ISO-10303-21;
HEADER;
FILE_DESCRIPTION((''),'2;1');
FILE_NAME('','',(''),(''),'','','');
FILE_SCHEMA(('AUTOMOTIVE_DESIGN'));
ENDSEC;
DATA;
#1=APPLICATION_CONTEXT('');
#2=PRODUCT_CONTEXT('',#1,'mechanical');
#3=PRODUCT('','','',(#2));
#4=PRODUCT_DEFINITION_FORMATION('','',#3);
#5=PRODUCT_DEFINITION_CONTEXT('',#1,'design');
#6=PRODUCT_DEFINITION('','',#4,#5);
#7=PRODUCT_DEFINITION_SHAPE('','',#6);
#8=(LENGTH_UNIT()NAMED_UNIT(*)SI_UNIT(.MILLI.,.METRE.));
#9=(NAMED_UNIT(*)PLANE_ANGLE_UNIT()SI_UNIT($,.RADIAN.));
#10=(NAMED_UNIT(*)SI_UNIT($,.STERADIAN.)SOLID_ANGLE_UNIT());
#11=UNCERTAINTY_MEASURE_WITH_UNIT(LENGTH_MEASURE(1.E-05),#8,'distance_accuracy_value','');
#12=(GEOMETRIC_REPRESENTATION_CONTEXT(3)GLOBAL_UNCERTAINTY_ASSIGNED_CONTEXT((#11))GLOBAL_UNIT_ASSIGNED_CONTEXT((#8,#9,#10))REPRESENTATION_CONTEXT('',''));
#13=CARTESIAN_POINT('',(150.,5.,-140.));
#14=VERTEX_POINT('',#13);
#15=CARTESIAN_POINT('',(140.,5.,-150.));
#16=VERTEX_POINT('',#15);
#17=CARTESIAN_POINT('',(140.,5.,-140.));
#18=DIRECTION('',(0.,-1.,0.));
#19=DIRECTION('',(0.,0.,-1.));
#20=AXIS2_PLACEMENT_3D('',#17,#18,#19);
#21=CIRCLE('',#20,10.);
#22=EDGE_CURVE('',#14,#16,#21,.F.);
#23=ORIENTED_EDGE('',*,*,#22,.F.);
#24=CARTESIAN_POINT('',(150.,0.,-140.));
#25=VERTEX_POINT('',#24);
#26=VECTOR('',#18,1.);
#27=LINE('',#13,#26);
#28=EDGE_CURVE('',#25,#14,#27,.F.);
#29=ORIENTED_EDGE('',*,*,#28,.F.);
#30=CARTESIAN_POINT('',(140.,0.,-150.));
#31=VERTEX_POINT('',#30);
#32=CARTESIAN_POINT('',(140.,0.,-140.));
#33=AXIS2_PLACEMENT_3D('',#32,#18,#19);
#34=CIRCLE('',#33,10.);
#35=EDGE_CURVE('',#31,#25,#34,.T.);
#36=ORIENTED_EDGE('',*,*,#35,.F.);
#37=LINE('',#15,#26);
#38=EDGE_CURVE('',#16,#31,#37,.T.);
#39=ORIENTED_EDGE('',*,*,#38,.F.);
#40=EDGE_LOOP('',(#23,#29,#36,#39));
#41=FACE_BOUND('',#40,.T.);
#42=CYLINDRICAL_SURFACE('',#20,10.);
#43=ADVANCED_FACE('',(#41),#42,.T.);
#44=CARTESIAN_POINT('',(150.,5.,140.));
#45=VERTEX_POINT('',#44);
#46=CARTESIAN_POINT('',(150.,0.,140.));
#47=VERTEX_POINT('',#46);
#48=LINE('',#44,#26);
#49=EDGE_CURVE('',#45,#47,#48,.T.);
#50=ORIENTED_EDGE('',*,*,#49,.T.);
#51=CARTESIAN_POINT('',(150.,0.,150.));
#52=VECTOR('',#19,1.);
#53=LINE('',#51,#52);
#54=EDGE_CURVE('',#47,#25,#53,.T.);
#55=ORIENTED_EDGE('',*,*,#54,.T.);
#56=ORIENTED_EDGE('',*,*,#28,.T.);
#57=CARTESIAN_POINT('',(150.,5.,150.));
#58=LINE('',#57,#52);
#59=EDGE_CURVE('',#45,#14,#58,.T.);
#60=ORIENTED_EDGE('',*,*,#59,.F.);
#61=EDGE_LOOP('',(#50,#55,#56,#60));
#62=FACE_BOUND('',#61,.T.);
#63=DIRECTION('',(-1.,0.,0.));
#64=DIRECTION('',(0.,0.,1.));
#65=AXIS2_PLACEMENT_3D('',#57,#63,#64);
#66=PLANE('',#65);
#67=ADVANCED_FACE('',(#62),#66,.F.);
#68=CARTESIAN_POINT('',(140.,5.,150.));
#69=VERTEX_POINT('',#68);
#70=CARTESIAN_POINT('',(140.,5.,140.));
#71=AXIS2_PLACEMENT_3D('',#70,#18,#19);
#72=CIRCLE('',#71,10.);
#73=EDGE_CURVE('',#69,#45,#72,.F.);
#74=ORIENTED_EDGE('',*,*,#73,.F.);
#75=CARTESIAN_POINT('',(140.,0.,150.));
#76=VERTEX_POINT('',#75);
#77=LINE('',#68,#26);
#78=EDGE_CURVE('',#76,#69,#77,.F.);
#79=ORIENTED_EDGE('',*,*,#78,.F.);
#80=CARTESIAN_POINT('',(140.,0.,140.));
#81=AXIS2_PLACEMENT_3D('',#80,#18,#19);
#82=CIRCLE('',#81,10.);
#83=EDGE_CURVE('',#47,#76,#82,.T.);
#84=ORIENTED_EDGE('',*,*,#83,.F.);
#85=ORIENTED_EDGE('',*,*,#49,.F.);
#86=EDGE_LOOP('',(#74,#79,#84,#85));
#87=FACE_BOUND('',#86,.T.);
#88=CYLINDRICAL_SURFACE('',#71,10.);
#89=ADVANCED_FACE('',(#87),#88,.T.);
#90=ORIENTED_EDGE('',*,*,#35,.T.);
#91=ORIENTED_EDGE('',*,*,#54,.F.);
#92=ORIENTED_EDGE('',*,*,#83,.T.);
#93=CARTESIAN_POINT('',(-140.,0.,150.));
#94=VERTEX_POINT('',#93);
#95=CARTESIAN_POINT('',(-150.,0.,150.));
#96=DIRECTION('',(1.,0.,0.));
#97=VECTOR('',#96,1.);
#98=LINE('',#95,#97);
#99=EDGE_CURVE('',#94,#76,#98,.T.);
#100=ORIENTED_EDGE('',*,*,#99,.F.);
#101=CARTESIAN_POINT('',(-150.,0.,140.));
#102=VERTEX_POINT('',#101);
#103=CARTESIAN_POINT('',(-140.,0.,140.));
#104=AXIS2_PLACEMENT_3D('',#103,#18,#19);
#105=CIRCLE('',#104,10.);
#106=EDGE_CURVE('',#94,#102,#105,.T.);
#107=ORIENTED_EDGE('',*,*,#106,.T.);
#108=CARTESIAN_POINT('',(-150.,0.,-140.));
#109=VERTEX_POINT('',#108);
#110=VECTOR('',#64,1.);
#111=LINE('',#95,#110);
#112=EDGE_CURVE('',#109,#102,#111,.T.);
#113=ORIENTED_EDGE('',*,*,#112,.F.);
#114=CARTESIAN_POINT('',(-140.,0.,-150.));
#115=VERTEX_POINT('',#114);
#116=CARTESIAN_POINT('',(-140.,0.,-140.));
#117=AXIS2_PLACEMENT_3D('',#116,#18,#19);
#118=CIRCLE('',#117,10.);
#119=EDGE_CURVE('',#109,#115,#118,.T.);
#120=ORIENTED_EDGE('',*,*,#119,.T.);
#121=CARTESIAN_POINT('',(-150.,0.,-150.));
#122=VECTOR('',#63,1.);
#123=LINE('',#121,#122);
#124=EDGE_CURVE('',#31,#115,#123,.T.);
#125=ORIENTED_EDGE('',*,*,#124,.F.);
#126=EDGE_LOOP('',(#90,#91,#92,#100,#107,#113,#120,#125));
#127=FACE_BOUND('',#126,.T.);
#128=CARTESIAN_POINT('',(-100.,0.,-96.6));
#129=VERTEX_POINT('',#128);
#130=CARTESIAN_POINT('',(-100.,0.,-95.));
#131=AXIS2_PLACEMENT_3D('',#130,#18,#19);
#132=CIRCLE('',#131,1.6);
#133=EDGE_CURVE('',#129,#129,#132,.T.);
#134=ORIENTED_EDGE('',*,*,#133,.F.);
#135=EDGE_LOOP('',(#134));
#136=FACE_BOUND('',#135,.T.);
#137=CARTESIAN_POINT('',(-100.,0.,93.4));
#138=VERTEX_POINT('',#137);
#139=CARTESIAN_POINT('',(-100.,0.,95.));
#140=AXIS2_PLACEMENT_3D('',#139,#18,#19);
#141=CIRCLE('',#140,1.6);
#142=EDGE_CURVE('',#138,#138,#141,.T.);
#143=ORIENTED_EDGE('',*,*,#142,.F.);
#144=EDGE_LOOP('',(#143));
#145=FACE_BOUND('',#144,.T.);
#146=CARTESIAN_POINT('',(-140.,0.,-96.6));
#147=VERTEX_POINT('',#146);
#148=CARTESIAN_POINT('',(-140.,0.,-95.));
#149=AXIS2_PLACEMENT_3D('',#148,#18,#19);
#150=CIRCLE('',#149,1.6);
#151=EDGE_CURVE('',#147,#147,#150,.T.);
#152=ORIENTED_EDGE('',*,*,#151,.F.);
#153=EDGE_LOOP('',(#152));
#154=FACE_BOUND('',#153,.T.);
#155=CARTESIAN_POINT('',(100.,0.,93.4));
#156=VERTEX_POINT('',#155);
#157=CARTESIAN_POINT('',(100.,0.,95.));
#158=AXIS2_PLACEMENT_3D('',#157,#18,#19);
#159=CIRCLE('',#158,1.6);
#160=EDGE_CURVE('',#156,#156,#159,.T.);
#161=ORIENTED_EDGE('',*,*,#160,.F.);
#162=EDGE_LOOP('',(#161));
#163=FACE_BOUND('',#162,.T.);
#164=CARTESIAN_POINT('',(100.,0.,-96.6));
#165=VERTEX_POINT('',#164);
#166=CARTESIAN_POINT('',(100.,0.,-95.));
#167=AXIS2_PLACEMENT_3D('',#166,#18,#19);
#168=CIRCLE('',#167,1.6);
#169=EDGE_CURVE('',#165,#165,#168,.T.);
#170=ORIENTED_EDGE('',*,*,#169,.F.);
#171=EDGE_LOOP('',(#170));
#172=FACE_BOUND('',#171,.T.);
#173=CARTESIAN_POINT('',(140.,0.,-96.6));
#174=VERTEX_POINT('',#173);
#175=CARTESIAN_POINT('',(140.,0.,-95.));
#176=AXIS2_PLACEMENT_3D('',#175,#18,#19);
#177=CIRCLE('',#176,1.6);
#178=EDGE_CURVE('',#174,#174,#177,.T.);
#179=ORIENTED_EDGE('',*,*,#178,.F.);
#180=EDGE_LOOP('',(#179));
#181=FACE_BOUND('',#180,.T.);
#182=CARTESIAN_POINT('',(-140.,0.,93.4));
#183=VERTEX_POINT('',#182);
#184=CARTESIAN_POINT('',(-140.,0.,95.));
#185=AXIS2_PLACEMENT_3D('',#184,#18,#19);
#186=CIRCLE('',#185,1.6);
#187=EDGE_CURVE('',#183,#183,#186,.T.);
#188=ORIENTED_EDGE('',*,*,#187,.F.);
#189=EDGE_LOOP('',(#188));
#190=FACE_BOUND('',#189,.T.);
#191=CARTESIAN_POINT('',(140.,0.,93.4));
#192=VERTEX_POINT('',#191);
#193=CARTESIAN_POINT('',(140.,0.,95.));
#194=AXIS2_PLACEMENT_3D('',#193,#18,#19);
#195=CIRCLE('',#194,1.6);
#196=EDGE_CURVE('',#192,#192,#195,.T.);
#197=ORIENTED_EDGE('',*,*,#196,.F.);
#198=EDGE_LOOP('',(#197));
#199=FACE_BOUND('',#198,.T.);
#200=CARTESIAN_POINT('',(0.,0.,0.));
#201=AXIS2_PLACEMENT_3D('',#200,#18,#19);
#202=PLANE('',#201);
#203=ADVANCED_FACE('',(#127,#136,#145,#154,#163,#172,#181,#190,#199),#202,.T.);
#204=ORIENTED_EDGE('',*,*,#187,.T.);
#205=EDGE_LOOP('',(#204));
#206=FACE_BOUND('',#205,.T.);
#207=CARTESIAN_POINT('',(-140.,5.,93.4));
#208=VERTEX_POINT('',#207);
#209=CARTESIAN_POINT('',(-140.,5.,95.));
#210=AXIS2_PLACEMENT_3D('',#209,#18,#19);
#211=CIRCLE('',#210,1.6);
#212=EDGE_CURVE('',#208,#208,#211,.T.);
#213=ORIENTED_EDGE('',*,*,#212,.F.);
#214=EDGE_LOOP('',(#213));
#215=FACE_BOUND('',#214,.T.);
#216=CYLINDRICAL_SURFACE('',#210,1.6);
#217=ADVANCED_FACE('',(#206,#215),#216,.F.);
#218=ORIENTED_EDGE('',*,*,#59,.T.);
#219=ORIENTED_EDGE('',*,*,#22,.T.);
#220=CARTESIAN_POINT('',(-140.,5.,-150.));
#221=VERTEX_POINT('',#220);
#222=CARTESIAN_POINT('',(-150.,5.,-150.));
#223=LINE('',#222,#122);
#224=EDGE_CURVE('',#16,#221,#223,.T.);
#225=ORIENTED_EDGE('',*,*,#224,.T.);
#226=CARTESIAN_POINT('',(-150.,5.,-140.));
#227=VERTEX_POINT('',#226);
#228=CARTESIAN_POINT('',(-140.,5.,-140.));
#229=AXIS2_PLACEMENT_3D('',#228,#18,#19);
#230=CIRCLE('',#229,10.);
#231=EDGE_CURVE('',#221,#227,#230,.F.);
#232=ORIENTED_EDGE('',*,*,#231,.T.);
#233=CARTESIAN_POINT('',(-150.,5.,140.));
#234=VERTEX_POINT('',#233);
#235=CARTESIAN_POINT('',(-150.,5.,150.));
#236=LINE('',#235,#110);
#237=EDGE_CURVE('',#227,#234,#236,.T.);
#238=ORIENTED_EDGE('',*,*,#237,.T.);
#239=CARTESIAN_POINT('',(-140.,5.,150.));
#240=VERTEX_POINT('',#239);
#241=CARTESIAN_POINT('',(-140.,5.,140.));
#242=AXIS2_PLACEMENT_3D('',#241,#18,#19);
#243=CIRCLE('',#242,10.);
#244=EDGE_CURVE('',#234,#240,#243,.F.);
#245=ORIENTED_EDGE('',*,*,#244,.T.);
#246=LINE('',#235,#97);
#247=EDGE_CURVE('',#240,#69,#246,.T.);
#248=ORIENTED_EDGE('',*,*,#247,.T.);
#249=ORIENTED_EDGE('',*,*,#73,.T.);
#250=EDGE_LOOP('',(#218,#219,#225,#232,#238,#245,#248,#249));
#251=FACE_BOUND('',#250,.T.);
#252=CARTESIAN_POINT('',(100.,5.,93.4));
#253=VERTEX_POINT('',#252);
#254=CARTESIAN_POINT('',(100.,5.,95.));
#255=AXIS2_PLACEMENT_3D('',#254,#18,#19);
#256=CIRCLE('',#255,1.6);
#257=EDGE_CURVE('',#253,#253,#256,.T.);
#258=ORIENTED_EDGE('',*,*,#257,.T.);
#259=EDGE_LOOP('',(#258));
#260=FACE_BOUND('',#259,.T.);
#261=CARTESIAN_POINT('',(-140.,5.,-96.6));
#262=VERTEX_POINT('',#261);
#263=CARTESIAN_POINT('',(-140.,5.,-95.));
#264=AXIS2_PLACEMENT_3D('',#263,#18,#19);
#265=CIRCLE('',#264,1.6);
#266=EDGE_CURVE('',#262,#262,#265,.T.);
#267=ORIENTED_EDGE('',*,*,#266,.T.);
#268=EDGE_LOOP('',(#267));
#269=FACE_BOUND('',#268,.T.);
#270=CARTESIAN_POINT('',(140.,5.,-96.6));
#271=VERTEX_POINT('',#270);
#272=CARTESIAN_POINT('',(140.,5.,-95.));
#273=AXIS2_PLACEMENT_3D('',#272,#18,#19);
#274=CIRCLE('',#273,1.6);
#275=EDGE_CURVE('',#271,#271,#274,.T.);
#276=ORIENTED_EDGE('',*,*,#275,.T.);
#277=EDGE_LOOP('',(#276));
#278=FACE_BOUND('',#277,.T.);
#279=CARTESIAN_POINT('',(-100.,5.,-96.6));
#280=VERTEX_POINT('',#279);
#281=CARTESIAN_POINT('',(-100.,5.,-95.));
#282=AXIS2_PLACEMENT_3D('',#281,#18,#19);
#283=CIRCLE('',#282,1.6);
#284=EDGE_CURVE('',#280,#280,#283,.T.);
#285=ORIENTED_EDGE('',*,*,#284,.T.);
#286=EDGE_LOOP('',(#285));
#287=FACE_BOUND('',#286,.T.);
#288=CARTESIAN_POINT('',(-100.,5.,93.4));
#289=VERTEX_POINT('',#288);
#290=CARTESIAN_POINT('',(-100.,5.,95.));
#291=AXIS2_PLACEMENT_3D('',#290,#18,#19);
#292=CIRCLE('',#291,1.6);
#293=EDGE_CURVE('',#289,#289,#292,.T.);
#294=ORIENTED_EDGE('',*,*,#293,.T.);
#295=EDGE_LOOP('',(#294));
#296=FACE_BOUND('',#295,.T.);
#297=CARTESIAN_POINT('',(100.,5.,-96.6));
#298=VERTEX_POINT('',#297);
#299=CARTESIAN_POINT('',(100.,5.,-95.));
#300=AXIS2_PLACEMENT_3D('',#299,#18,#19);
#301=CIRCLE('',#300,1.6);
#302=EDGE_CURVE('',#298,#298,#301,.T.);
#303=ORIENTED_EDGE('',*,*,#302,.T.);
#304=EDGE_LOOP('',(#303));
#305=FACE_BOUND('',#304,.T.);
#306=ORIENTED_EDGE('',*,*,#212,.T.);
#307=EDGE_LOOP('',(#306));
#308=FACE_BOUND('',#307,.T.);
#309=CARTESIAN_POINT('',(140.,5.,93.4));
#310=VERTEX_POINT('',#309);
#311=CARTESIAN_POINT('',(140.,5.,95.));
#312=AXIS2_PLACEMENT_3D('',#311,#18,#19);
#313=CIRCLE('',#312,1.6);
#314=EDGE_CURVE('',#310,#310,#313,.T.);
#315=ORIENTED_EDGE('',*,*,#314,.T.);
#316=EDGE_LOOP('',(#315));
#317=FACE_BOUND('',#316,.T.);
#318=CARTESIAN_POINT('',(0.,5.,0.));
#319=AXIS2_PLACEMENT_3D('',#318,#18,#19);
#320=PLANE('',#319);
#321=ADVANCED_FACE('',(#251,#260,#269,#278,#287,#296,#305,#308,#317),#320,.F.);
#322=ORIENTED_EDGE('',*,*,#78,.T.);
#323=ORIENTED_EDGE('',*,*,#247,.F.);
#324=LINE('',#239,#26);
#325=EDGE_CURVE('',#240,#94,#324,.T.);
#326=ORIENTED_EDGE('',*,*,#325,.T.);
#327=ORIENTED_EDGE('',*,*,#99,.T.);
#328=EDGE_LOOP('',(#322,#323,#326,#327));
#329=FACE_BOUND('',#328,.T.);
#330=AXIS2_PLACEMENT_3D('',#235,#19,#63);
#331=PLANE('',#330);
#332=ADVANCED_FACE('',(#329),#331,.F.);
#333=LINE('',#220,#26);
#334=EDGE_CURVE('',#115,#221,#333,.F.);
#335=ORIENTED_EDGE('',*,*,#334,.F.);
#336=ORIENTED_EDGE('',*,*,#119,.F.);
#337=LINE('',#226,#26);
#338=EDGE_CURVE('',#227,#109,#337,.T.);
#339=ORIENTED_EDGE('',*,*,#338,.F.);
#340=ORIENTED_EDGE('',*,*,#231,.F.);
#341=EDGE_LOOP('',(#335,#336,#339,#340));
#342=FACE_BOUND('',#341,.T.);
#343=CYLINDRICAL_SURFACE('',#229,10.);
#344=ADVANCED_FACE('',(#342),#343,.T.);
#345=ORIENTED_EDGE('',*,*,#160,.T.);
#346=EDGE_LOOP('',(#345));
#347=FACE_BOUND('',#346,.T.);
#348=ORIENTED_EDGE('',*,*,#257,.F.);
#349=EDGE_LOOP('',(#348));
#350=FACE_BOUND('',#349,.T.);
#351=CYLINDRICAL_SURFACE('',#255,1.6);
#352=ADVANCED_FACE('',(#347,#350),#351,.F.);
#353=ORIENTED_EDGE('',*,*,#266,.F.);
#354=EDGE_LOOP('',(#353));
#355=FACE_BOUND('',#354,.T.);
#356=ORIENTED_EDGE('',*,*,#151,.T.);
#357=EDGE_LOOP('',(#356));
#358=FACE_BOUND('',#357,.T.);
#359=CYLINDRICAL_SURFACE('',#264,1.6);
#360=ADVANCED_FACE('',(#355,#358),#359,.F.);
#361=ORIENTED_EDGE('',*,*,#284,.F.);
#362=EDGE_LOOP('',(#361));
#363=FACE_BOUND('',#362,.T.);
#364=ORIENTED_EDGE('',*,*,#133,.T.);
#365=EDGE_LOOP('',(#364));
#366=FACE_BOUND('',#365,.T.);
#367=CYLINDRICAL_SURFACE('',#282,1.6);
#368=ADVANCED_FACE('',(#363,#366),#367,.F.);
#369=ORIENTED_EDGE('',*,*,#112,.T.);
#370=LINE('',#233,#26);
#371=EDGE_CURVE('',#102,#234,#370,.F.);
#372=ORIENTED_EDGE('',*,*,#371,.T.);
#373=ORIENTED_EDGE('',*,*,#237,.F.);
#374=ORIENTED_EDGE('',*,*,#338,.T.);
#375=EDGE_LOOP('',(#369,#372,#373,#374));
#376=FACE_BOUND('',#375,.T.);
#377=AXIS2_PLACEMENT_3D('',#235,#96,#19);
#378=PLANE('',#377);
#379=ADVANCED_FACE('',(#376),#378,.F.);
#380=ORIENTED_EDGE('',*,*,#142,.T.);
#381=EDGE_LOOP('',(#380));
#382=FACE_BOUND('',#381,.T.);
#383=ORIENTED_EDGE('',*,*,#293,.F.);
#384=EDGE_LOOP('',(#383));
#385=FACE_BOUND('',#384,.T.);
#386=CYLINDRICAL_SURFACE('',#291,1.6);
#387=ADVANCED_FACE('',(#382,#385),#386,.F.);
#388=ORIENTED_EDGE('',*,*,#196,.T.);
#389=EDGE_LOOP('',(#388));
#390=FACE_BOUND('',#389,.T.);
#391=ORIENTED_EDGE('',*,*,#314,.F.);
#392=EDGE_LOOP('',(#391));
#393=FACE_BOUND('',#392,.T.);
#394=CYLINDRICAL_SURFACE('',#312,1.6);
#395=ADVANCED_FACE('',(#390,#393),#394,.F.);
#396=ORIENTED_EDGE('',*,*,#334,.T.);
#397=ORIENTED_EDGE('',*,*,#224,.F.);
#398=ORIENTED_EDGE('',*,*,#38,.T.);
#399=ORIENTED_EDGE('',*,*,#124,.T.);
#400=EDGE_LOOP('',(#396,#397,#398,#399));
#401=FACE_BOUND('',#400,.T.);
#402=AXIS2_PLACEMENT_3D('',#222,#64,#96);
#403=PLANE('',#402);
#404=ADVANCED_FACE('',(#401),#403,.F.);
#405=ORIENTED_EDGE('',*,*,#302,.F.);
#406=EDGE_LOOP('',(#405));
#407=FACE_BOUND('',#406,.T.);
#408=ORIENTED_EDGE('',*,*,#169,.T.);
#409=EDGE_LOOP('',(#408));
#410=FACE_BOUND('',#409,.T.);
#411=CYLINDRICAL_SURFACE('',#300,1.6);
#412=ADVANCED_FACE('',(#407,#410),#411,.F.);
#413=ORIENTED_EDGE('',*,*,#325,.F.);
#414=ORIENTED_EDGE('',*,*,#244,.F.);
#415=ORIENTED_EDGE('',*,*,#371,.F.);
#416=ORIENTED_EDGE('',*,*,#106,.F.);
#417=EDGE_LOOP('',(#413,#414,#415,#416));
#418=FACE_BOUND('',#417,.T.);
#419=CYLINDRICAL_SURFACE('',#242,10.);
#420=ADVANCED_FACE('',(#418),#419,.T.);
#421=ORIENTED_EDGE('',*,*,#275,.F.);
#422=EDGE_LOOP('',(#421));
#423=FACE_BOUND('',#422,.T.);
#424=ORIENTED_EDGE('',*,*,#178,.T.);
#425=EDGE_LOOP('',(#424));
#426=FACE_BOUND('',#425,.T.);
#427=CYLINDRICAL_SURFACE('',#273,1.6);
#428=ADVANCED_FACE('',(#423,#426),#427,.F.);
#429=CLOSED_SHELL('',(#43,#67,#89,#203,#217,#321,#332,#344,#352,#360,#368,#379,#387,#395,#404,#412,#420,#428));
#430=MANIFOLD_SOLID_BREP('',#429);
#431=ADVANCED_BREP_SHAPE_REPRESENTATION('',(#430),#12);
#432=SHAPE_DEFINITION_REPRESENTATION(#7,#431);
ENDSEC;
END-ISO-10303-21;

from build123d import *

# Parameters (mm, degrees)
ESQUISSE1_W                     = 300
ESQUISSE1_H                     = 300
BOSS_EXTRU_1_DEPTH              = 5
CONG_1_R                        = 10
ESQUISSE2_R                     = 1.6
ENL_V_MAT_EXTRU_1_DEPTH         = 6
R_P_TITION_LIN_AIRE1_COUNT      = 2
R_P_TITION_LIN_AIRE1_PITCH      = 240
R_P_TITION_LIN_AIRE1_COUNT_DIR2 = 2
R_P_TITION_LIN_AIRE1_PITCH_DIR2 = 190


with BuildPart() as part:
    # Esquisse1 → Boss.-Extru.1 (new body)
    with BuildSketch(Plane(origin=(0, 0, 0), x_dir=(1, 0, 0), z_dir=(0, 1, 0))):
        Rectangle(ESQUISSE1_W, ESQUISSE1_H)
    extrude(amount=BOSS_EXTRU_1_DEPTH)

    # Congé1
    cong_1_edges = [part.edges().sort_by_distance(p)[0] for p in [
        (150, 2.5, 150),
        (-150, 2.5, 150),
        (-150, 2.5, -150),
        (150, 2.5, -150),
    ]]
    fillet(cong_1_edges, radius=CONG_1_R)

    # Esquisse2 → Enlèv. mat.-Extru.1 (cut, through all)
    with BuildSketch(Plane.XZ):
        with Locations((-140, 95)):
            Circle(ESQUISSE2_R)
        with Locations((-100, 95)):
            Circle(ESQUISSE2_R)
    enl_v_mat_extru_1 = extrude(amount=-ENL_V_MAT_EXTRU_1_DEPTH, mode=Mode.SUBTRACT)

    # Répétition linéaire1: Enl_v. mat.-Extru.1 2 × 2
    with Locations(*[(i * R_P_TITION_LIN_AIRE1_PITCH, 0, -j * R_P_TITION_LIN_AIRE1_PITCH_DIR2) for i in range(R_P_TITION_LIN_AIRE1_COUNT) for j in range(R_P_TITION_LIN_AIRE1_COUNT_DIR2) if (i, j) != (0, 0)]):
        add(enl_v_mat_extru_1, mode=Mode.SUBTRACT)


solid = part.part
